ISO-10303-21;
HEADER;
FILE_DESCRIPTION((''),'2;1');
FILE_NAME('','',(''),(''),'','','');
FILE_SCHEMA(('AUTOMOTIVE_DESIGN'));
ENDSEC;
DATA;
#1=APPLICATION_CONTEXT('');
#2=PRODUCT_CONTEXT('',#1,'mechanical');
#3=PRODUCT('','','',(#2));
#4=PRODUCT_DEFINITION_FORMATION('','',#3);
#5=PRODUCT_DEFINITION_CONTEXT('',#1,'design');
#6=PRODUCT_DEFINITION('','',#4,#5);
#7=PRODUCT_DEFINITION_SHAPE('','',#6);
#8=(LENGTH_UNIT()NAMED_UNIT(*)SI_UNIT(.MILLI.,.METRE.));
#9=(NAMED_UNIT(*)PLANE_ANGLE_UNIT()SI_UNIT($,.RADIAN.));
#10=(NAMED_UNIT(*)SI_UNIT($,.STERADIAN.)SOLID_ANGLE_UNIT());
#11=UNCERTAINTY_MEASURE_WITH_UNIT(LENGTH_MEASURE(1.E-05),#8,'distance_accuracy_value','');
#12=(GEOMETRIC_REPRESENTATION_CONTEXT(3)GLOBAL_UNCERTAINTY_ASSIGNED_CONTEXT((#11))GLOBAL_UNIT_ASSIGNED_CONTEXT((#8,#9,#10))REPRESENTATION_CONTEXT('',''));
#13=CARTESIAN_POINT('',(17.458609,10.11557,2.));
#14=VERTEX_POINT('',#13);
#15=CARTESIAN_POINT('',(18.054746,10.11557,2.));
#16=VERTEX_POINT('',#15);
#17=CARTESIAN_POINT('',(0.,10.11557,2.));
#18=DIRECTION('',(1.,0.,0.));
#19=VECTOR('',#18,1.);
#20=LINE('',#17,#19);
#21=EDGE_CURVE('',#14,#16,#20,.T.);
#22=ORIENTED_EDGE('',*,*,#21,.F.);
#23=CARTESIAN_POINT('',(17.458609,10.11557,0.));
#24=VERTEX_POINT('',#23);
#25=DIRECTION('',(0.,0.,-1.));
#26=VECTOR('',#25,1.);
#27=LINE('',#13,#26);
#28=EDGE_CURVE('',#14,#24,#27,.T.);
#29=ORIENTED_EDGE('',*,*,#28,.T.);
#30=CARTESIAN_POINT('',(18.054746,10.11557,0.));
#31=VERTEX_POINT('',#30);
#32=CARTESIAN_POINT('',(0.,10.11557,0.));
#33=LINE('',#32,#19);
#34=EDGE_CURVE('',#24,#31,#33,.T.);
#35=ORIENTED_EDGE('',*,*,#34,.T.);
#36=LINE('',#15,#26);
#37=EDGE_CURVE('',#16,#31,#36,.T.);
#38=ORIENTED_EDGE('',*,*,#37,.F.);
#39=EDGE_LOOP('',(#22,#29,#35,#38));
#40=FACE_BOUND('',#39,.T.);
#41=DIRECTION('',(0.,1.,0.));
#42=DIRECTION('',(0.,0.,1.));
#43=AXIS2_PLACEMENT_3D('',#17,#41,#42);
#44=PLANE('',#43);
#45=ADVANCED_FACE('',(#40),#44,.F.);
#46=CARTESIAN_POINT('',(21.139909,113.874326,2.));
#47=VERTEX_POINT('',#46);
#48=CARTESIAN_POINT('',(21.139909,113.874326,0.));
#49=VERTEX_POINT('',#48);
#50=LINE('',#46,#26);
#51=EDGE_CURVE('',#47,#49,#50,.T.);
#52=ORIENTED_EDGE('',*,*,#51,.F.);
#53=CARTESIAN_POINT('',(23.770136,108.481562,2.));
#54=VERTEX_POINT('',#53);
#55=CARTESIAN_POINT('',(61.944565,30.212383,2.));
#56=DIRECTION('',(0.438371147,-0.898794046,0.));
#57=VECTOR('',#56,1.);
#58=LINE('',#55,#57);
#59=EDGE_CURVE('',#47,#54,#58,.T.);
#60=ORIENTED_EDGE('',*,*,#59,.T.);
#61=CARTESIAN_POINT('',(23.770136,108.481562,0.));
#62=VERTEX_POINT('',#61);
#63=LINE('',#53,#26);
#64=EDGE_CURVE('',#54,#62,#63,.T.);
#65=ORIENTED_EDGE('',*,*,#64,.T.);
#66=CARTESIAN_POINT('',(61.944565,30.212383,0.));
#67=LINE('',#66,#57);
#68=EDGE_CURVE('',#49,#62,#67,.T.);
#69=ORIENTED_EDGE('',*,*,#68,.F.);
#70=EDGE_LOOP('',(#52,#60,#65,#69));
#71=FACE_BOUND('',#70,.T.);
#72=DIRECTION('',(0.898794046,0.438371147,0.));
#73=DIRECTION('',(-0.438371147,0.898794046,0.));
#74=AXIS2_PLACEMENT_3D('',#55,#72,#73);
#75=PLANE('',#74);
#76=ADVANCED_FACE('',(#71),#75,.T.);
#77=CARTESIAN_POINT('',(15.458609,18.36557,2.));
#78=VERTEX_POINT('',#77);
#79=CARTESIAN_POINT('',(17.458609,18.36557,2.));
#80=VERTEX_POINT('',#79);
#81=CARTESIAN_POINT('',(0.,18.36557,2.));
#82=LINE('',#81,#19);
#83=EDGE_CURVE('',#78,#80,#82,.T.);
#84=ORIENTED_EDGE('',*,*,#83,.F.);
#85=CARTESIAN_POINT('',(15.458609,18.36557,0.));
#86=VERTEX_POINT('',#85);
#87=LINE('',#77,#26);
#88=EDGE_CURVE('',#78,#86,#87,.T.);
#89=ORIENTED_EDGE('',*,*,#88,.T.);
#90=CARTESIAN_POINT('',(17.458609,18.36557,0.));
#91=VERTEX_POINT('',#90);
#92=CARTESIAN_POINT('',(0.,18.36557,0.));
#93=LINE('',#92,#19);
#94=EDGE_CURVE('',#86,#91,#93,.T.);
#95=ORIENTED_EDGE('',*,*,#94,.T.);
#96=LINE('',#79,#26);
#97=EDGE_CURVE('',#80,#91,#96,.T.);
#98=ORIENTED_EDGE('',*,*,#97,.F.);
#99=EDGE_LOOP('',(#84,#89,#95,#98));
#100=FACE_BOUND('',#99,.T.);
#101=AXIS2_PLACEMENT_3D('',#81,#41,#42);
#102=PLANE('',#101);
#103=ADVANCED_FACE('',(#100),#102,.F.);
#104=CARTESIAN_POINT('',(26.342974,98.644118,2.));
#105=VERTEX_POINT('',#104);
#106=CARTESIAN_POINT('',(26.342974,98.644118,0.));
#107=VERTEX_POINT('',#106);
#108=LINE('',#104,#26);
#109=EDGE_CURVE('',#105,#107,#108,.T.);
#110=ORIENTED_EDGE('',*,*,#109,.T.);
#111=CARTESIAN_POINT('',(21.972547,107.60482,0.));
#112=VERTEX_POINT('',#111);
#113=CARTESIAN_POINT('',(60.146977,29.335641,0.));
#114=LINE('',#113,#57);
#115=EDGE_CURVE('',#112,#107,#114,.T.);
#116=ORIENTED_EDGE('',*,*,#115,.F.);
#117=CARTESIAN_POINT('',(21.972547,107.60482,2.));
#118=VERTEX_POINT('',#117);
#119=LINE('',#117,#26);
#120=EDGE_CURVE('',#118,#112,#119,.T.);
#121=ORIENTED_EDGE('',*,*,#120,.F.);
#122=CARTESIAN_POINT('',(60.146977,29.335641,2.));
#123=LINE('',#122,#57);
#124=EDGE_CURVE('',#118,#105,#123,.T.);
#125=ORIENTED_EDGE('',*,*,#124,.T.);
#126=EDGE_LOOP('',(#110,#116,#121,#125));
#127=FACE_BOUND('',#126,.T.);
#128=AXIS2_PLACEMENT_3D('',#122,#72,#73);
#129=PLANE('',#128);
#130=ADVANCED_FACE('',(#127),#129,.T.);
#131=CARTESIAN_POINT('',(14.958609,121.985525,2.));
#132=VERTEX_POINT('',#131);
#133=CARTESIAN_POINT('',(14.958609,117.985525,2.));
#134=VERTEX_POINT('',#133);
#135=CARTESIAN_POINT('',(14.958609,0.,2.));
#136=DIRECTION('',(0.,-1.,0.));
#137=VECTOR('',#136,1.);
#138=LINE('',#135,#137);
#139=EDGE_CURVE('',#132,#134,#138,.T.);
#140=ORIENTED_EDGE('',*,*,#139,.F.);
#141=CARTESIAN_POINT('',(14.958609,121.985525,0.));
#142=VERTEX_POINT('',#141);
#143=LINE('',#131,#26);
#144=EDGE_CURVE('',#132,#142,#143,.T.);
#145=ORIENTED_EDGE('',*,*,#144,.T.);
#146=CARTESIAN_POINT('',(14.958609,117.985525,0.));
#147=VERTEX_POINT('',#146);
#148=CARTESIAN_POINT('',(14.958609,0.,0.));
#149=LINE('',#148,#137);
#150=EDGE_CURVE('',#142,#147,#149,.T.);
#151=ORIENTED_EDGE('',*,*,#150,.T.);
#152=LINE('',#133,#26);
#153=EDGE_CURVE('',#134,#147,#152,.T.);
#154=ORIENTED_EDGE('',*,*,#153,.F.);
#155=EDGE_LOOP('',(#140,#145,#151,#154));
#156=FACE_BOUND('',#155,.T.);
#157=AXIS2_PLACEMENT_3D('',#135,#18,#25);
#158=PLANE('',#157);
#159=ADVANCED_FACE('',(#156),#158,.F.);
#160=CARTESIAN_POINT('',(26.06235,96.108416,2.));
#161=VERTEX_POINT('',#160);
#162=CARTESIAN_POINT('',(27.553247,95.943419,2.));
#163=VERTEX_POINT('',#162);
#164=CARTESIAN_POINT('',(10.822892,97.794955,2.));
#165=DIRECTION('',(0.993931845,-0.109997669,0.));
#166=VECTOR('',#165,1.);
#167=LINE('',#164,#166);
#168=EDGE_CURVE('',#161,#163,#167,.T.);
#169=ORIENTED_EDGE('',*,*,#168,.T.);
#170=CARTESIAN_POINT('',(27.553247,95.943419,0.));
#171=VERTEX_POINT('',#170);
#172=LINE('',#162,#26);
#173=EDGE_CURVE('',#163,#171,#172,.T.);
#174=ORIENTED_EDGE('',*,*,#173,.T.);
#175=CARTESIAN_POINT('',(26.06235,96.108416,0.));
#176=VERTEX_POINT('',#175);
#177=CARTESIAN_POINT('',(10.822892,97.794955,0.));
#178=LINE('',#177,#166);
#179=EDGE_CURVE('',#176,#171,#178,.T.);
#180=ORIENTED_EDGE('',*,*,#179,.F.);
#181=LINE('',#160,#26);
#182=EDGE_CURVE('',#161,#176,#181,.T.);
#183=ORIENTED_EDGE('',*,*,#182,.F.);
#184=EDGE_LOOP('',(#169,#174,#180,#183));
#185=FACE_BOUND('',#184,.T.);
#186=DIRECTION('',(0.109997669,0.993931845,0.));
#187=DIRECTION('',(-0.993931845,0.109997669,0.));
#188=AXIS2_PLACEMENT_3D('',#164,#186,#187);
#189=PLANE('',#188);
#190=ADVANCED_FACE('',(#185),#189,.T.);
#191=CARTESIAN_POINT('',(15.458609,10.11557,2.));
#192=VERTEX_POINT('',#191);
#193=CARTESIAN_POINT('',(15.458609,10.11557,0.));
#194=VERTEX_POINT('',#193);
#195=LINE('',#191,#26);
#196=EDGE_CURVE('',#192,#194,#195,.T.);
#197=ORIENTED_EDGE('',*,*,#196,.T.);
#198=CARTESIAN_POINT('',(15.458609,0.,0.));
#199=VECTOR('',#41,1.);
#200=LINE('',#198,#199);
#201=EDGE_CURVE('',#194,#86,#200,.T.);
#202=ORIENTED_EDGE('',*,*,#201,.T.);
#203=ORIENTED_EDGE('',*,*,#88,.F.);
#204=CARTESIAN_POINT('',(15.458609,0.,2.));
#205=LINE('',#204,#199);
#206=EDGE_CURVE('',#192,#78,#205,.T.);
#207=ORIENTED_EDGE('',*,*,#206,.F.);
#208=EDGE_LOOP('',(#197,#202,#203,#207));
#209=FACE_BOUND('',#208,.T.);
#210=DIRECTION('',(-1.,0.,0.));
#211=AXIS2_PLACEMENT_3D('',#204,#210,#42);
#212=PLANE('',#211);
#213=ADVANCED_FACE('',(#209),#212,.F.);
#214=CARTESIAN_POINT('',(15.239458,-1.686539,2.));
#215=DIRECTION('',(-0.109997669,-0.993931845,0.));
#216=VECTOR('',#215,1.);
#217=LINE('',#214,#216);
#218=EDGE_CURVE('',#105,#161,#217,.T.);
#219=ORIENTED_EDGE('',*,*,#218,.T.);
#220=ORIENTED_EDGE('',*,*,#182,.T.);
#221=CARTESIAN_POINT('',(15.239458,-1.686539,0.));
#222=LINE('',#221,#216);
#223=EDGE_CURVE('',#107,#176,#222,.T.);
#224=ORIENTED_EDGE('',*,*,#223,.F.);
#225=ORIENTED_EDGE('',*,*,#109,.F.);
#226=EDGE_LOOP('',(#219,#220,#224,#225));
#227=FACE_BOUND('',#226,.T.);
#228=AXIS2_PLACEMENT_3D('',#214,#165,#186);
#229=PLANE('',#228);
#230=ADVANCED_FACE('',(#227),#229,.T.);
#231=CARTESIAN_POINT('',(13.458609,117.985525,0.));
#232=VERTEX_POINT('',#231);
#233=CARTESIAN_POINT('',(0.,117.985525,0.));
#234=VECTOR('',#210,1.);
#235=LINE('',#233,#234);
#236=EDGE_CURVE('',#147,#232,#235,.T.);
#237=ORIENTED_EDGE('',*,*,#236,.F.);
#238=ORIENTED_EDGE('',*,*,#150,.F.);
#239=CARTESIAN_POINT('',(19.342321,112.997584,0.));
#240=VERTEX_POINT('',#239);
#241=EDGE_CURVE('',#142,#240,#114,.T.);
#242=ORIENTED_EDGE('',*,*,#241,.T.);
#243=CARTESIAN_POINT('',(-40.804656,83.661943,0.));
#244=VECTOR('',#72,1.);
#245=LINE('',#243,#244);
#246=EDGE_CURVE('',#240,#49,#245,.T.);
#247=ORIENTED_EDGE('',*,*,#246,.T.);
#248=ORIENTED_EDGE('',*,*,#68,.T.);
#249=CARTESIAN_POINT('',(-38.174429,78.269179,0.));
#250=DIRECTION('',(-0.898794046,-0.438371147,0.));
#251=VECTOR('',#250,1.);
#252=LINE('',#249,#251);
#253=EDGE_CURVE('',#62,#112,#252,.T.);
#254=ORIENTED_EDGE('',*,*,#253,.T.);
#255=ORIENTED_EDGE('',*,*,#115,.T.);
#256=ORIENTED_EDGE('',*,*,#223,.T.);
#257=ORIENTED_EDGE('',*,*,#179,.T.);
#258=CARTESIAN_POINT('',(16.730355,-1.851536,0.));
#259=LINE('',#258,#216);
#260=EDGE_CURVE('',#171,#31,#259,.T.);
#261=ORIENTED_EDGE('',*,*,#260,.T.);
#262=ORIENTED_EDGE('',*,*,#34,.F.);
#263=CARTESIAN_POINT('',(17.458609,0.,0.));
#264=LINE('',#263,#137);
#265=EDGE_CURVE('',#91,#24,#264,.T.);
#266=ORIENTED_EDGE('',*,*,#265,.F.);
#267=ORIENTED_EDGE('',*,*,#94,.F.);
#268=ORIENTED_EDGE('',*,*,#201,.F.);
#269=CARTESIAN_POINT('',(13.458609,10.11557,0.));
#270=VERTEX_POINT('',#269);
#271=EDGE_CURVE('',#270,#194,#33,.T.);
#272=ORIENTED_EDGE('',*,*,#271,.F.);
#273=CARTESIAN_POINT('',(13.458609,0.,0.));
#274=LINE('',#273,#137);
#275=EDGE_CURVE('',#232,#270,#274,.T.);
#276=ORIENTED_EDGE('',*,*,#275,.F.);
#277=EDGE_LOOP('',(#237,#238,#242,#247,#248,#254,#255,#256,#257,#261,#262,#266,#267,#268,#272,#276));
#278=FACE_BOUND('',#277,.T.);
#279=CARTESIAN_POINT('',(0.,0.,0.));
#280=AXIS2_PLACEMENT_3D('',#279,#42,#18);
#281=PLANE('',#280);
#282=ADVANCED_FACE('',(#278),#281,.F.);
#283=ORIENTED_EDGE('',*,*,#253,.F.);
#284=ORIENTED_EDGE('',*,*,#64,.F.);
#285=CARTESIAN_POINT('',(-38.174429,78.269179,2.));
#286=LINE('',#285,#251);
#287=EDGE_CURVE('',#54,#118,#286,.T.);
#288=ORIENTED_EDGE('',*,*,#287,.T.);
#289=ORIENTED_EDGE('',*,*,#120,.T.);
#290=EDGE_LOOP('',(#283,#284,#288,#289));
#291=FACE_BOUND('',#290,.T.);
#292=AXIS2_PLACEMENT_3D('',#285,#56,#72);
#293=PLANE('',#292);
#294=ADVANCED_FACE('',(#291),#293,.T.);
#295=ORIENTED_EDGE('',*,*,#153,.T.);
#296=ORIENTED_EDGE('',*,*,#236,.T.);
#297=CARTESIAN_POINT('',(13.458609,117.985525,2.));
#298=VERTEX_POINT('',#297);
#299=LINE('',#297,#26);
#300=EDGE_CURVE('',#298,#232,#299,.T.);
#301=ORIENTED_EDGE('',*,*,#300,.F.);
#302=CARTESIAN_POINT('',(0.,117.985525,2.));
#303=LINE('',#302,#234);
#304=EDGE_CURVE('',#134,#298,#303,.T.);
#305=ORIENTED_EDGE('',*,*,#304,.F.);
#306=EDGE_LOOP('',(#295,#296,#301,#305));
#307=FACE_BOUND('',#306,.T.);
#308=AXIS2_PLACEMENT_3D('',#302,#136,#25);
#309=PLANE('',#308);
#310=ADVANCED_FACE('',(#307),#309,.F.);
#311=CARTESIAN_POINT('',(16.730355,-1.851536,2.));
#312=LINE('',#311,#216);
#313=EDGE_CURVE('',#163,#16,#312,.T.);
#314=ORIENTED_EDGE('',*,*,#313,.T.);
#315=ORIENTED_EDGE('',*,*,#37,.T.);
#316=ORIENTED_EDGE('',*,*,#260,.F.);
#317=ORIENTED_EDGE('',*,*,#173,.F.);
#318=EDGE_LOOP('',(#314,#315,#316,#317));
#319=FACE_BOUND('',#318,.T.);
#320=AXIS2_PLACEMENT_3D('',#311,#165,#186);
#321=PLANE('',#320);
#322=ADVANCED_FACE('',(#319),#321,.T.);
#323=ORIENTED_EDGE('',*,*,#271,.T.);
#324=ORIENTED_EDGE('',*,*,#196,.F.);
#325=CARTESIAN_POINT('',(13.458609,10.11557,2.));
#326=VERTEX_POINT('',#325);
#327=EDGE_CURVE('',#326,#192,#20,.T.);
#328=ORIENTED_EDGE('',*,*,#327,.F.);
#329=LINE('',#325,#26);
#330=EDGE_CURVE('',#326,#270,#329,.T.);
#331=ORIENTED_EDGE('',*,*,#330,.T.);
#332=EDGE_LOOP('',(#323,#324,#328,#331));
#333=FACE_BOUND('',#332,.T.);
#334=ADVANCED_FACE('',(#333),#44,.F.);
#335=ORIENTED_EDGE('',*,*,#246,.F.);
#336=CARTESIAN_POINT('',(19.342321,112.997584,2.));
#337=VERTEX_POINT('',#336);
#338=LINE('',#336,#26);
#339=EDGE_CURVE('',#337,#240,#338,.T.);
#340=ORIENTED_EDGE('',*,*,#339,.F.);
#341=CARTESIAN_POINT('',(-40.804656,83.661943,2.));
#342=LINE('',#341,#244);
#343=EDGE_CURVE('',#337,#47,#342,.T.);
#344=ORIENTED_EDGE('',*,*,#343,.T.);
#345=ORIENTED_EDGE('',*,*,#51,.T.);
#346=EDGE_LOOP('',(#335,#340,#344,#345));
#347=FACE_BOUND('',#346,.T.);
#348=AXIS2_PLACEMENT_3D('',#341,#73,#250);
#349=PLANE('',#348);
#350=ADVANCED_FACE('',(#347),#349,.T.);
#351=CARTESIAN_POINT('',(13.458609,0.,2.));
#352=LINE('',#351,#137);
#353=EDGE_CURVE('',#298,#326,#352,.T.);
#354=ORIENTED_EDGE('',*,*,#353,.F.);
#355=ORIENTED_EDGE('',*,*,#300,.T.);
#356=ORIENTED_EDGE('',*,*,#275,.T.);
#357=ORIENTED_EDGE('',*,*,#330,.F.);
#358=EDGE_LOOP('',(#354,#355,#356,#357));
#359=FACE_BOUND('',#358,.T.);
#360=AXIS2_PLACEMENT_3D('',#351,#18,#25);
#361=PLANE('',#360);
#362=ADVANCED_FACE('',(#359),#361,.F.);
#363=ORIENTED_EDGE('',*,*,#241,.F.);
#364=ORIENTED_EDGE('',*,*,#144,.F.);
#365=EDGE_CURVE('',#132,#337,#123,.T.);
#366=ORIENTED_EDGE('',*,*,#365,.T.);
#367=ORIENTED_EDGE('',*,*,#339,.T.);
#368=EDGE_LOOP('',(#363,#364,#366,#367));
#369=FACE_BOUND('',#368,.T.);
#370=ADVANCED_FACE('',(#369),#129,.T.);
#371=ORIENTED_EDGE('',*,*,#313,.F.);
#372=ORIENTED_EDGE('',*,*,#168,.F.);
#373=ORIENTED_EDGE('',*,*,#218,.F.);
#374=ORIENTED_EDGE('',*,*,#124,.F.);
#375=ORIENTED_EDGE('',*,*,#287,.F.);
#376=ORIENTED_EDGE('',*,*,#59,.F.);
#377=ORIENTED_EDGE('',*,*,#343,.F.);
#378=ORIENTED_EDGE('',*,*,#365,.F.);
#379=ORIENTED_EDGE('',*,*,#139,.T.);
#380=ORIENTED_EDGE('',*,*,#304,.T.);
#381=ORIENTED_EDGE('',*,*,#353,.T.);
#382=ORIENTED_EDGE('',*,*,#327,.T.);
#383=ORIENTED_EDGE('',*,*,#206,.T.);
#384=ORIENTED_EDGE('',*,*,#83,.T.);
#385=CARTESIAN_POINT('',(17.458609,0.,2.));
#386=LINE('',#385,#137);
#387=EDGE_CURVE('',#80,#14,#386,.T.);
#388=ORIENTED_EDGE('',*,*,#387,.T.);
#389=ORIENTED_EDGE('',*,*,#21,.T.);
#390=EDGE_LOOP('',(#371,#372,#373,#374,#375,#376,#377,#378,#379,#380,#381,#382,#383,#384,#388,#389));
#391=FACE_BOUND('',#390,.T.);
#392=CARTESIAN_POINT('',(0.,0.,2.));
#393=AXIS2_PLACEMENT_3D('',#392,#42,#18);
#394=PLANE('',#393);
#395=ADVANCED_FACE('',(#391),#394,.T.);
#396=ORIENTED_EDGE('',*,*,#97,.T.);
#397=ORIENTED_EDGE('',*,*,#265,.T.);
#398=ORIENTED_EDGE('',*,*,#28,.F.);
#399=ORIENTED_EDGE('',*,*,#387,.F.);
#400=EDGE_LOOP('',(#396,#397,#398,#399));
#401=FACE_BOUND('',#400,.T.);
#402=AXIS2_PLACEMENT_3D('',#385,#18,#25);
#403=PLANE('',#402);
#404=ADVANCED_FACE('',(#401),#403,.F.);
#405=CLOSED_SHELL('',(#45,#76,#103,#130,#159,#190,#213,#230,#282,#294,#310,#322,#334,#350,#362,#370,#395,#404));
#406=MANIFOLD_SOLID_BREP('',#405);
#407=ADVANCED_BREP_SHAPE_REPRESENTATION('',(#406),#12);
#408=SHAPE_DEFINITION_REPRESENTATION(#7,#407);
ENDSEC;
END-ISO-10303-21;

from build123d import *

# Parameters (mm, degrees)
EXTRUDE_1_DEPTH = 2


with BuildPart() as part:
    # 草图1 → 凸台-拉伸1 (new body)
    with BuildSketch(Plane.XY):
        Polygon((26.062349686, 96.108415655), (27.553247454, 95.943419151), (18.054745752, 10.115570425), (17.458609074, 10.115570425), (17.458609074, 18.365570425), (15.458609074, 18.365570425), (15.458609074, 10.115570425), (13.458609074, 10.115570425), (13.458609074, 117.985524546), (14.958609074, 117.985524546), (14.958609074, 121.985524546), (19.342320542, 112.997584083), (21.139908635, 113.874326376), (23.770135515, 108.481562099), (21.972547423, 107.604819805), (26.342973869, 98.644117673), align=None)
    extrude(amount=EXTRUDE_1_DEPTH)


solid = part.part
